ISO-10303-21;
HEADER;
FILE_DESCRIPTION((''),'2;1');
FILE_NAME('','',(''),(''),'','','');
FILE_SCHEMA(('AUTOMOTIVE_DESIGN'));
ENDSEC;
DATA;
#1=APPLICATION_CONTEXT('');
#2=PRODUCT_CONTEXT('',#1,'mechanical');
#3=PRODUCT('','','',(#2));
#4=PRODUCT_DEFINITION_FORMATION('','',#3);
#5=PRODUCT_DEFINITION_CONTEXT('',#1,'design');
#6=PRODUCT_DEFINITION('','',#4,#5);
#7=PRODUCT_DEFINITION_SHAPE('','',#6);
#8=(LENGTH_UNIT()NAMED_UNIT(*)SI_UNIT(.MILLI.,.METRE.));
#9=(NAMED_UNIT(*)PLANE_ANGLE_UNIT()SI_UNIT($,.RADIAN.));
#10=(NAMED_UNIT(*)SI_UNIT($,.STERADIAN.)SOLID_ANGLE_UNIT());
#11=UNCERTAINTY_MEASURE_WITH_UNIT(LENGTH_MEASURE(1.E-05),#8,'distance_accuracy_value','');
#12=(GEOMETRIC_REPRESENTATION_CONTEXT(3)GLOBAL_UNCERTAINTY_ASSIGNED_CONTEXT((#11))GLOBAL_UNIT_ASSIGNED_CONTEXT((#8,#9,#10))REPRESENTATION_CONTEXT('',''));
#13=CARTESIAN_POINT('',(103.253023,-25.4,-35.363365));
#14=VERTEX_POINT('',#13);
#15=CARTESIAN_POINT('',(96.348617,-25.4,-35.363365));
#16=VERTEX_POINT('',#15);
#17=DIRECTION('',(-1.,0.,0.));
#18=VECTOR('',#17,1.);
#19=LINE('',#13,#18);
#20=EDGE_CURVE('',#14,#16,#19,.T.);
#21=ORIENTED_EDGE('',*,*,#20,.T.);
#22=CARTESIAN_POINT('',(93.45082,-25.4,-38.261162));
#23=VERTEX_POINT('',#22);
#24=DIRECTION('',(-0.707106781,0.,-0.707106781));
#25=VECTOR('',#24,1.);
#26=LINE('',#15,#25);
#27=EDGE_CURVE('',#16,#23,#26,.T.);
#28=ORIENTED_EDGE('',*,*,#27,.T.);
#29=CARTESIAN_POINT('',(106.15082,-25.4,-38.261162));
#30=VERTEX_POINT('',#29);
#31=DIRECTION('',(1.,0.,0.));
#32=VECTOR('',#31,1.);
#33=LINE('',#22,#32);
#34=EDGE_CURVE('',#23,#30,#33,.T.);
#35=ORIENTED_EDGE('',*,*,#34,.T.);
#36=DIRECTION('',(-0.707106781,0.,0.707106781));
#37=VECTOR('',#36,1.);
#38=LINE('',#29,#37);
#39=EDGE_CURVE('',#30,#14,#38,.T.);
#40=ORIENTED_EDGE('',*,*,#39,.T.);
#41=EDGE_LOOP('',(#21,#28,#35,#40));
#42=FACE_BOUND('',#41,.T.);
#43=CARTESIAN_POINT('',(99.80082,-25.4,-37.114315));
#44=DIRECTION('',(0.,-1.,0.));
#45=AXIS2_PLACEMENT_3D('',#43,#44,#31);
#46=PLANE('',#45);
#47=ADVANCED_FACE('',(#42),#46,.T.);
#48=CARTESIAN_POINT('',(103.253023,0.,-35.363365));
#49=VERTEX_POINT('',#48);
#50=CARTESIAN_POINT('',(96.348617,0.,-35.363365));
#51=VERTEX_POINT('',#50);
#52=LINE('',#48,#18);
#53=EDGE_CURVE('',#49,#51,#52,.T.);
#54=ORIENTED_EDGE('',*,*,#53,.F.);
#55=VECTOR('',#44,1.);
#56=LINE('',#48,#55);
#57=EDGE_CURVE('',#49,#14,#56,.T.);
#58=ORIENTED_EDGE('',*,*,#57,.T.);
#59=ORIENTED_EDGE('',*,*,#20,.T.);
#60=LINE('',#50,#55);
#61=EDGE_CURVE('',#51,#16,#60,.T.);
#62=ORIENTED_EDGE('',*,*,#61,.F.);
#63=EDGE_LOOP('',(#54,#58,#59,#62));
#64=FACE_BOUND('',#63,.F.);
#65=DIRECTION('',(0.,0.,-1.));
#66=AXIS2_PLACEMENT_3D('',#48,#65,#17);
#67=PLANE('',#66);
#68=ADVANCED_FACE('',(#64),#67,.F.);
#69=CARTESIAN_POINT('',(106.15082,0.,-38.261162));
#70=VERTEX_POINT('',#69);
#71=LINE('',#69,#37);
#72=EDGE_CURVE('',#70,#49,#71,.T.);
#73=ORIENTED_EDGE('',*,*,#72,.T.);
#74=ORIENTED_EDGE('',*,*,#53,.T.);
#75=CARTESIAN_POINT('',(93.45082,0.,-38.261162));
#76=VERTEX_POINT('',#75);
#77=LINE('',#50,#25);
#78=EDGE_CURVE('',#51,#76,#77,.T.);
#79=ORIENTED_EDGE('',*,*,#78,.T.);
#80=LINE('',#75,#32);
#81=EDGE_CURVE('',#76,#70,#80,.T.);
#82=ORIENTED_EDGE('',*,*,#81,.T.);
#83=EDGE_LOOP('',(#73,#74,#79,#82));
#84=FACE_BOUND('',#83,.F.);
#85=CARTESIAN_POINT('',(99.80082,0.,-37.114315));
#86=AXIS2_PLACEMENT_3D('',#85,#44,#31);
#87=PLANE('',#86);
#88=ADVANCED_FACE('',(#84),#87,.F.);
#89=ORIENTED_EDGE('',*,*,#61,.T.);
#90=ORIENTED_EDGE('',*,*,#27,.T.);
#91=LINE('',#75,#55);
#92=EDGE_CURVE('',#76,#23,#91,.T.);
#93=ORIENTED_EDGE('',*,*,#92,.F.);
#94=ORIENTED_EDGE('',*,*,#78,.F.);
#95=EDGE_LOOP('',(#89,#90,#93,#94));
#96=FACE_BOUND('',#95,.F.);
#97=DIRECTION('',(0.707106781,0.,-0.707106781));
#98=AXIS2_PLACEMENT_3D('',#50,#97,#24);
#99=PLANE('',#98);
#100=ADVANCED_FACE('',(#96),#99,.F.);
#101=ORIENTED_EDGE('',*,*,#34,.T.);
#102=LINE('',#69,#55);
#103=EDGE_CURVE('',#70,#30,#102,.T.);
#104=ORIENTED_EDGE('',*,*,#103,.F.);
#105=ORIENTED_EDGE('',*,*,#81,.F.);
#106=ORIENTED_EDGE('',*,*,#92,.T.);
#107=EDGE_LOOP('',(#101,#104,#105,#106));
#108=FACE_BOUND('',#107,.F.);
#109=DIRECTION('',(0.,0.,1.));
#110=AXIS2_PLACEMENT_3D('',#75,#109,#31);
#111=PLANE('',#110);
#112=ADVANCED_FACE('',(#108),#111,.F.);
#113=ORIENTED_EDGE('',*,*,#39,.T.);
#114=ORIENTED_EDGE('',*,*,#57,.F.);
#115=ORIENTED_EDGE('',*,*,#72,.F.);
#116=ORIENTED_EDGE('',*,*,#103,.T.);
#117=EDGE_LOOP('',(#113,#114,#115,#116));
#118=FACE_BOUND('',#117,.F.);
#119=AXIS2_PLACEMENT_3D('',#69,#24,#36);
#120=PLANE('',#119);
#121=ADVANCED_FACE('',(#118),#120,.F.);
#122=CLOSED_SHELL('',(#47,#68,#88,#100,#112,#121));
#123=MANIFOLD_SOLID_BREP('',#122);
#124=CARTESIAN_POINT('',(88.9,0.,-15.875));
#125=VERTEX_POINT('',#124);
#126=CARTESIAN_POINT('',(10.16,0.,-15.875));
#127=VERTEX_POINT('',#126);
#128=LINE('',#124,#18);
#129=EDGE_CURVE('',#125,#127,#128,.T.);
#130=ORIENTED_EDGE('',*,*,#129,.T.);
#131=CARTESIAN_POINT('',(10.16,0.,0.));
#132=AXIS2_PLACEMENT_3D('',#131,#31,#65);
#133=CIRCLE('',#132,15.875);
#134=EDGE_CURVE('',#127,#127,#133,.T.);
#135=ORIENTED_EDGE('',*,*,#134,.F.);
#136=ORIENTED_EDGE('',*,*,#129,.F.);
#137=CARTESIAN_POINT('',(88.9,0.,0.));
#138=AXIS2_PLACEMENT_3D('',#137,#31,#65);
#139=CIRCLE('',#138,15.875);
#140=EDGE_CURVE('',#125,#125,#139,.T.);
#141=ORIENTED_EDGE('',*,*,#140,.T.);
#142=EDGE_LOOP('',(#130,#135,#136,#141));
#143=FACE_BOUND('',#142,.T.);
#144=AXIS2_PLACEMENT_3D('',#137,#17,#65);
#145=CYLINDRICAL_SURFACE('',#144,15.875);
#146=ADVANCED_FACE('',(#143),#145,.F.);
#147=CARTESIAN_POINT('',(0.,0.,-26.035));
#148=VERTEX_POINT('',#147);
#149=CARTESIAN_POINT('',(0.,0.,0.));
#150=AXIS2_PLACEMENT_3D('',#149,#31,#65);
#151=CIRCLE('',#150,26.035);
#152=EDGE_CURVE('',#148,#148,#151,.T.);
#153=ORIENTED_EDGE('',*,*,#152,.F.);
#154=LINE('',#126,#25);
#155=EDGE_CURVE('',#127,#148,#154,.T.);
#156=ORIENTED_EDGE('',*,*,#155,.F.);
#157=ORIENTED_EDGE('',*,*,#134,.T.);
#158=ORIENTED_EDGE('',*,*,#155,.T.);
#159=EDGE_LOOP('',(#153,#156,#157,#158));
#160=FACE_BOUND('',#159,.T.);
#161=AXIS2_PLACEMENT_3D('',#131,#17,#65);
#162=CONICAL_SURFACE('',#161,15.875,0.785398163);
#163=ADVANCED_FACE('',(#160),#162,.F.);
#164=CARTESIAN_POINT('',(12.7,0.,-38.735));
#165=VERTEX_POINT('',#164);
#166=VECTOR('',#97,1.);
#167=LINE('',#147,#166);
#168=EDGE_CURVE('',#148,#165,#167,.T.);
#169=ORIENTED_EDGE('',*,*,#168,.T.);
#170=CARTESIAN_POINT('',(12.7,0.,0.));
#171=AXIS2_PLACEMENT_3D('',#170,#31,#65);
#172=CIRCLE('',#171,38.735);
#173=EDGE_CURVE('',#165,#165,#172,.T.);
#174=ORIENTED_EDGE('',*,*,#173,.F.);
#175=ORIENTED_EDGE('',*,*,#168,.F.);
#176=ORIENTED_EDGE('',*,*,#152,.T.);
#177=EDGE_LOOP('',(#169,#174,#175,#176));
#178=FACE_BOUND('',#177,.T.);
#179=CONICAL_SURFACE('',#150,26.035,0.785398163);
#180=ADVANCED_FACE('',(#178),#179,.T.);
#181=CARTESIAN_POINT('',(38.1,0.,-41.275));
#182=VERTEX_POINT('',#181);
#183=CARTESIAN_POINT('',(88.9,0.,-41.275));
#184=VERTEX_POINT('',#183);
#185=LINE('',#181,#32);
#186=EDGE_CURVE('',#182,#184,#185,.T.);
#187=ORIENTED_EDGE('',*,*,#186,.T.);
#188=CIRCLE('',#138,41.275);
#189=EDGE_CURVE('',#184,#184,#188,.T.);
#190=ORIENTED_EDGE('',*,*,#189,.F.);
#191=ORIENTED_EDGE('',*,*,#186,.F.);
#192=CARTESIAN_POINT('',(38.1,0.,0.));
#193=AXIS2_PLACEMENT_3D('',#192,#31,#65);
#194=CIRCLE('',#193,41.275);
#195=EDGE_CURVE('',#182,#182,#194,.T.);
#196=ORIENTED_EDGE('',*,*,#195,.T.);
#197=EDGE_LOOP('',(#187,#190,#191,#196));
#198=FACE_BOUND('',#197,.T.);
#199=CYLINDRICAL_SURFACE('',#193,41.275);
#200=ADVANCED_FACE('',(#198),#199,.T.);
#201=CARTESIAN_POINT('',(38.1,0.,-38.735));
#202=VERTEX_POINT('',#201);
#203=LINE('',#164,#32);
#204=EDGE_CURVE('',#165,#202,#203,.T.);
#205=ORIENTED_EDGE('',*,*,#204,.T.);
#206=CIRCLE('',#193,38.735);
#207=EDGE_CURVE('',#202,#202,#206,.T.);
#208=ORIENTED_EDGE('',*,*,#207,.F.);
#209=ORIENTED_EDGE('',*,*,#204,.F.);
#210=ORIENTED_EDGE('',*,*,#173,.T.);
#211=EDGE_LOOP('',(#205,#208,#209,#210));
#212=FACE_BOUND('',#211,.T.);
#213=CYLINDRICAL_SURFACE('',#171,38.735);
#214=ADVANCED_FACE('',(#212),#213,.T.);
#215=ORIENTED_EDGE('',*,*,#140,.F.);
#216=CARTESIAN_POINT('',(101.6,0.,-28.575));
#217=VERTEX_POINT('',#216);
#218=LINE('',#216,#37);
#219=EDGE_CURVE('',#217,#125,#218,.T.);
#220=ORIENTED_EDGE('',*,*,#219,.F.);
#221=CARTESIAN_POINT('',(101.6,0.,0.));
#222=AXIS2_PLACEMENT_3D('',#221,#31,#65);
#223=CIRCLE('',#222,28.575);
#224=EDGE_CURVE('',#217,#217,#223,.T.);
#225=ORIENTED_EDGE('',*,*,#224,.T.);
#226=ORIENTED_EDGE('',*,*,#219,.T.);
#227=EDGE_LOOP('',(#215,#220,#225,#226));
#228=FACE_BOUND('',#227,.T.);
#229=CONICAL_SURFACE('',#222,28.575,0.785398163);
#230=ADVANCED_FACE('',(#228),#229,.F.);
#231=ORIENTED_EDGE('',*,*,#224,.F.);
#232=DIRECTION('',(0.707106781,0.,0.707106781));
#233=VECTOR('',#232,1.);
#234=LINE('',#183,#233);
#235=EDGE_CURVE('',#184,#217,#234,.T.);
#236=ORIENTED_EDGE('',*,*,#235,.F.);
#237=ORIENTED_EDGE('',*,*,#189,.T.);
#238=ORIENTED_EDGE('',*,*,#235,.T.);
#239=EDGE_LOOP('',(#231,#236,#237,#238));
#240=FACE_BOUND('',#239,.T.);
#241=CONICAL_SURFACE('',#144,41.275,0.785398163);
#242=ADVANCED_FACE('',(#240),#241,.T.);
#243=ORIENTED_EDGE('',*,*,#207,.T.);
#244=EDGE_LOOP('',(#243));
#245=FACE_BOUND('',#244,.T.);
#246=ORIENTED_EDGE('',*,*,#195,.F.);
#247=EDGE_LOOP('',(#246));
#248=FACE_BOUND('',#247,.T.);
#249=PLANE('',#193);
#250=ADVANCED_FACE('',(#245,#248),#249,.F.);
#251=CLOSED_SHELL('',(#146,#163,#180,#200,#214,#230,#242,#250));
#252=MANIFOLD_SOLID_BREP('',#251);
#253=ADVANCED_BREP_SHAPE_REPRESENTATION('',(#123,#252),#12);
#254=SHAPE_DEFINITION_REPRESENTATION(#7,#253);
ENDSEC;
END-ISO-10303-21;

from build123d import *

# Parameters (mm, degrees)
F3_DEPTH = 25.4


with BuildPart() as f1:
    # F0 (on Front) → F1 (revolve)
    with BuildSketch(Plane.XZ):
        Polygon((10.16, -15.875), (0, -26.035), (12.7, -38.735), (38.1, -38.735), (38.1, -41.275), (88.9, -41.275), (101.6, -28.575), (88.9, -15.875), align=None)
    revolve(axis=Axis((51.171116, 0, 0), (1, 0, 0)))


with BuildPart() as f3:
    # F2 (on Front) → F3 (new body)
    with BuildSketch(Plane.XZ):
        Polygon((96.348617, -35.363365), (93.45082, -38.261162), (106.15082, -38.261162), (103.253023, -35.363365), align=None)
    extrude(amount=F3_DEPTH)


solid = Compound([f1.part, f3.part])
